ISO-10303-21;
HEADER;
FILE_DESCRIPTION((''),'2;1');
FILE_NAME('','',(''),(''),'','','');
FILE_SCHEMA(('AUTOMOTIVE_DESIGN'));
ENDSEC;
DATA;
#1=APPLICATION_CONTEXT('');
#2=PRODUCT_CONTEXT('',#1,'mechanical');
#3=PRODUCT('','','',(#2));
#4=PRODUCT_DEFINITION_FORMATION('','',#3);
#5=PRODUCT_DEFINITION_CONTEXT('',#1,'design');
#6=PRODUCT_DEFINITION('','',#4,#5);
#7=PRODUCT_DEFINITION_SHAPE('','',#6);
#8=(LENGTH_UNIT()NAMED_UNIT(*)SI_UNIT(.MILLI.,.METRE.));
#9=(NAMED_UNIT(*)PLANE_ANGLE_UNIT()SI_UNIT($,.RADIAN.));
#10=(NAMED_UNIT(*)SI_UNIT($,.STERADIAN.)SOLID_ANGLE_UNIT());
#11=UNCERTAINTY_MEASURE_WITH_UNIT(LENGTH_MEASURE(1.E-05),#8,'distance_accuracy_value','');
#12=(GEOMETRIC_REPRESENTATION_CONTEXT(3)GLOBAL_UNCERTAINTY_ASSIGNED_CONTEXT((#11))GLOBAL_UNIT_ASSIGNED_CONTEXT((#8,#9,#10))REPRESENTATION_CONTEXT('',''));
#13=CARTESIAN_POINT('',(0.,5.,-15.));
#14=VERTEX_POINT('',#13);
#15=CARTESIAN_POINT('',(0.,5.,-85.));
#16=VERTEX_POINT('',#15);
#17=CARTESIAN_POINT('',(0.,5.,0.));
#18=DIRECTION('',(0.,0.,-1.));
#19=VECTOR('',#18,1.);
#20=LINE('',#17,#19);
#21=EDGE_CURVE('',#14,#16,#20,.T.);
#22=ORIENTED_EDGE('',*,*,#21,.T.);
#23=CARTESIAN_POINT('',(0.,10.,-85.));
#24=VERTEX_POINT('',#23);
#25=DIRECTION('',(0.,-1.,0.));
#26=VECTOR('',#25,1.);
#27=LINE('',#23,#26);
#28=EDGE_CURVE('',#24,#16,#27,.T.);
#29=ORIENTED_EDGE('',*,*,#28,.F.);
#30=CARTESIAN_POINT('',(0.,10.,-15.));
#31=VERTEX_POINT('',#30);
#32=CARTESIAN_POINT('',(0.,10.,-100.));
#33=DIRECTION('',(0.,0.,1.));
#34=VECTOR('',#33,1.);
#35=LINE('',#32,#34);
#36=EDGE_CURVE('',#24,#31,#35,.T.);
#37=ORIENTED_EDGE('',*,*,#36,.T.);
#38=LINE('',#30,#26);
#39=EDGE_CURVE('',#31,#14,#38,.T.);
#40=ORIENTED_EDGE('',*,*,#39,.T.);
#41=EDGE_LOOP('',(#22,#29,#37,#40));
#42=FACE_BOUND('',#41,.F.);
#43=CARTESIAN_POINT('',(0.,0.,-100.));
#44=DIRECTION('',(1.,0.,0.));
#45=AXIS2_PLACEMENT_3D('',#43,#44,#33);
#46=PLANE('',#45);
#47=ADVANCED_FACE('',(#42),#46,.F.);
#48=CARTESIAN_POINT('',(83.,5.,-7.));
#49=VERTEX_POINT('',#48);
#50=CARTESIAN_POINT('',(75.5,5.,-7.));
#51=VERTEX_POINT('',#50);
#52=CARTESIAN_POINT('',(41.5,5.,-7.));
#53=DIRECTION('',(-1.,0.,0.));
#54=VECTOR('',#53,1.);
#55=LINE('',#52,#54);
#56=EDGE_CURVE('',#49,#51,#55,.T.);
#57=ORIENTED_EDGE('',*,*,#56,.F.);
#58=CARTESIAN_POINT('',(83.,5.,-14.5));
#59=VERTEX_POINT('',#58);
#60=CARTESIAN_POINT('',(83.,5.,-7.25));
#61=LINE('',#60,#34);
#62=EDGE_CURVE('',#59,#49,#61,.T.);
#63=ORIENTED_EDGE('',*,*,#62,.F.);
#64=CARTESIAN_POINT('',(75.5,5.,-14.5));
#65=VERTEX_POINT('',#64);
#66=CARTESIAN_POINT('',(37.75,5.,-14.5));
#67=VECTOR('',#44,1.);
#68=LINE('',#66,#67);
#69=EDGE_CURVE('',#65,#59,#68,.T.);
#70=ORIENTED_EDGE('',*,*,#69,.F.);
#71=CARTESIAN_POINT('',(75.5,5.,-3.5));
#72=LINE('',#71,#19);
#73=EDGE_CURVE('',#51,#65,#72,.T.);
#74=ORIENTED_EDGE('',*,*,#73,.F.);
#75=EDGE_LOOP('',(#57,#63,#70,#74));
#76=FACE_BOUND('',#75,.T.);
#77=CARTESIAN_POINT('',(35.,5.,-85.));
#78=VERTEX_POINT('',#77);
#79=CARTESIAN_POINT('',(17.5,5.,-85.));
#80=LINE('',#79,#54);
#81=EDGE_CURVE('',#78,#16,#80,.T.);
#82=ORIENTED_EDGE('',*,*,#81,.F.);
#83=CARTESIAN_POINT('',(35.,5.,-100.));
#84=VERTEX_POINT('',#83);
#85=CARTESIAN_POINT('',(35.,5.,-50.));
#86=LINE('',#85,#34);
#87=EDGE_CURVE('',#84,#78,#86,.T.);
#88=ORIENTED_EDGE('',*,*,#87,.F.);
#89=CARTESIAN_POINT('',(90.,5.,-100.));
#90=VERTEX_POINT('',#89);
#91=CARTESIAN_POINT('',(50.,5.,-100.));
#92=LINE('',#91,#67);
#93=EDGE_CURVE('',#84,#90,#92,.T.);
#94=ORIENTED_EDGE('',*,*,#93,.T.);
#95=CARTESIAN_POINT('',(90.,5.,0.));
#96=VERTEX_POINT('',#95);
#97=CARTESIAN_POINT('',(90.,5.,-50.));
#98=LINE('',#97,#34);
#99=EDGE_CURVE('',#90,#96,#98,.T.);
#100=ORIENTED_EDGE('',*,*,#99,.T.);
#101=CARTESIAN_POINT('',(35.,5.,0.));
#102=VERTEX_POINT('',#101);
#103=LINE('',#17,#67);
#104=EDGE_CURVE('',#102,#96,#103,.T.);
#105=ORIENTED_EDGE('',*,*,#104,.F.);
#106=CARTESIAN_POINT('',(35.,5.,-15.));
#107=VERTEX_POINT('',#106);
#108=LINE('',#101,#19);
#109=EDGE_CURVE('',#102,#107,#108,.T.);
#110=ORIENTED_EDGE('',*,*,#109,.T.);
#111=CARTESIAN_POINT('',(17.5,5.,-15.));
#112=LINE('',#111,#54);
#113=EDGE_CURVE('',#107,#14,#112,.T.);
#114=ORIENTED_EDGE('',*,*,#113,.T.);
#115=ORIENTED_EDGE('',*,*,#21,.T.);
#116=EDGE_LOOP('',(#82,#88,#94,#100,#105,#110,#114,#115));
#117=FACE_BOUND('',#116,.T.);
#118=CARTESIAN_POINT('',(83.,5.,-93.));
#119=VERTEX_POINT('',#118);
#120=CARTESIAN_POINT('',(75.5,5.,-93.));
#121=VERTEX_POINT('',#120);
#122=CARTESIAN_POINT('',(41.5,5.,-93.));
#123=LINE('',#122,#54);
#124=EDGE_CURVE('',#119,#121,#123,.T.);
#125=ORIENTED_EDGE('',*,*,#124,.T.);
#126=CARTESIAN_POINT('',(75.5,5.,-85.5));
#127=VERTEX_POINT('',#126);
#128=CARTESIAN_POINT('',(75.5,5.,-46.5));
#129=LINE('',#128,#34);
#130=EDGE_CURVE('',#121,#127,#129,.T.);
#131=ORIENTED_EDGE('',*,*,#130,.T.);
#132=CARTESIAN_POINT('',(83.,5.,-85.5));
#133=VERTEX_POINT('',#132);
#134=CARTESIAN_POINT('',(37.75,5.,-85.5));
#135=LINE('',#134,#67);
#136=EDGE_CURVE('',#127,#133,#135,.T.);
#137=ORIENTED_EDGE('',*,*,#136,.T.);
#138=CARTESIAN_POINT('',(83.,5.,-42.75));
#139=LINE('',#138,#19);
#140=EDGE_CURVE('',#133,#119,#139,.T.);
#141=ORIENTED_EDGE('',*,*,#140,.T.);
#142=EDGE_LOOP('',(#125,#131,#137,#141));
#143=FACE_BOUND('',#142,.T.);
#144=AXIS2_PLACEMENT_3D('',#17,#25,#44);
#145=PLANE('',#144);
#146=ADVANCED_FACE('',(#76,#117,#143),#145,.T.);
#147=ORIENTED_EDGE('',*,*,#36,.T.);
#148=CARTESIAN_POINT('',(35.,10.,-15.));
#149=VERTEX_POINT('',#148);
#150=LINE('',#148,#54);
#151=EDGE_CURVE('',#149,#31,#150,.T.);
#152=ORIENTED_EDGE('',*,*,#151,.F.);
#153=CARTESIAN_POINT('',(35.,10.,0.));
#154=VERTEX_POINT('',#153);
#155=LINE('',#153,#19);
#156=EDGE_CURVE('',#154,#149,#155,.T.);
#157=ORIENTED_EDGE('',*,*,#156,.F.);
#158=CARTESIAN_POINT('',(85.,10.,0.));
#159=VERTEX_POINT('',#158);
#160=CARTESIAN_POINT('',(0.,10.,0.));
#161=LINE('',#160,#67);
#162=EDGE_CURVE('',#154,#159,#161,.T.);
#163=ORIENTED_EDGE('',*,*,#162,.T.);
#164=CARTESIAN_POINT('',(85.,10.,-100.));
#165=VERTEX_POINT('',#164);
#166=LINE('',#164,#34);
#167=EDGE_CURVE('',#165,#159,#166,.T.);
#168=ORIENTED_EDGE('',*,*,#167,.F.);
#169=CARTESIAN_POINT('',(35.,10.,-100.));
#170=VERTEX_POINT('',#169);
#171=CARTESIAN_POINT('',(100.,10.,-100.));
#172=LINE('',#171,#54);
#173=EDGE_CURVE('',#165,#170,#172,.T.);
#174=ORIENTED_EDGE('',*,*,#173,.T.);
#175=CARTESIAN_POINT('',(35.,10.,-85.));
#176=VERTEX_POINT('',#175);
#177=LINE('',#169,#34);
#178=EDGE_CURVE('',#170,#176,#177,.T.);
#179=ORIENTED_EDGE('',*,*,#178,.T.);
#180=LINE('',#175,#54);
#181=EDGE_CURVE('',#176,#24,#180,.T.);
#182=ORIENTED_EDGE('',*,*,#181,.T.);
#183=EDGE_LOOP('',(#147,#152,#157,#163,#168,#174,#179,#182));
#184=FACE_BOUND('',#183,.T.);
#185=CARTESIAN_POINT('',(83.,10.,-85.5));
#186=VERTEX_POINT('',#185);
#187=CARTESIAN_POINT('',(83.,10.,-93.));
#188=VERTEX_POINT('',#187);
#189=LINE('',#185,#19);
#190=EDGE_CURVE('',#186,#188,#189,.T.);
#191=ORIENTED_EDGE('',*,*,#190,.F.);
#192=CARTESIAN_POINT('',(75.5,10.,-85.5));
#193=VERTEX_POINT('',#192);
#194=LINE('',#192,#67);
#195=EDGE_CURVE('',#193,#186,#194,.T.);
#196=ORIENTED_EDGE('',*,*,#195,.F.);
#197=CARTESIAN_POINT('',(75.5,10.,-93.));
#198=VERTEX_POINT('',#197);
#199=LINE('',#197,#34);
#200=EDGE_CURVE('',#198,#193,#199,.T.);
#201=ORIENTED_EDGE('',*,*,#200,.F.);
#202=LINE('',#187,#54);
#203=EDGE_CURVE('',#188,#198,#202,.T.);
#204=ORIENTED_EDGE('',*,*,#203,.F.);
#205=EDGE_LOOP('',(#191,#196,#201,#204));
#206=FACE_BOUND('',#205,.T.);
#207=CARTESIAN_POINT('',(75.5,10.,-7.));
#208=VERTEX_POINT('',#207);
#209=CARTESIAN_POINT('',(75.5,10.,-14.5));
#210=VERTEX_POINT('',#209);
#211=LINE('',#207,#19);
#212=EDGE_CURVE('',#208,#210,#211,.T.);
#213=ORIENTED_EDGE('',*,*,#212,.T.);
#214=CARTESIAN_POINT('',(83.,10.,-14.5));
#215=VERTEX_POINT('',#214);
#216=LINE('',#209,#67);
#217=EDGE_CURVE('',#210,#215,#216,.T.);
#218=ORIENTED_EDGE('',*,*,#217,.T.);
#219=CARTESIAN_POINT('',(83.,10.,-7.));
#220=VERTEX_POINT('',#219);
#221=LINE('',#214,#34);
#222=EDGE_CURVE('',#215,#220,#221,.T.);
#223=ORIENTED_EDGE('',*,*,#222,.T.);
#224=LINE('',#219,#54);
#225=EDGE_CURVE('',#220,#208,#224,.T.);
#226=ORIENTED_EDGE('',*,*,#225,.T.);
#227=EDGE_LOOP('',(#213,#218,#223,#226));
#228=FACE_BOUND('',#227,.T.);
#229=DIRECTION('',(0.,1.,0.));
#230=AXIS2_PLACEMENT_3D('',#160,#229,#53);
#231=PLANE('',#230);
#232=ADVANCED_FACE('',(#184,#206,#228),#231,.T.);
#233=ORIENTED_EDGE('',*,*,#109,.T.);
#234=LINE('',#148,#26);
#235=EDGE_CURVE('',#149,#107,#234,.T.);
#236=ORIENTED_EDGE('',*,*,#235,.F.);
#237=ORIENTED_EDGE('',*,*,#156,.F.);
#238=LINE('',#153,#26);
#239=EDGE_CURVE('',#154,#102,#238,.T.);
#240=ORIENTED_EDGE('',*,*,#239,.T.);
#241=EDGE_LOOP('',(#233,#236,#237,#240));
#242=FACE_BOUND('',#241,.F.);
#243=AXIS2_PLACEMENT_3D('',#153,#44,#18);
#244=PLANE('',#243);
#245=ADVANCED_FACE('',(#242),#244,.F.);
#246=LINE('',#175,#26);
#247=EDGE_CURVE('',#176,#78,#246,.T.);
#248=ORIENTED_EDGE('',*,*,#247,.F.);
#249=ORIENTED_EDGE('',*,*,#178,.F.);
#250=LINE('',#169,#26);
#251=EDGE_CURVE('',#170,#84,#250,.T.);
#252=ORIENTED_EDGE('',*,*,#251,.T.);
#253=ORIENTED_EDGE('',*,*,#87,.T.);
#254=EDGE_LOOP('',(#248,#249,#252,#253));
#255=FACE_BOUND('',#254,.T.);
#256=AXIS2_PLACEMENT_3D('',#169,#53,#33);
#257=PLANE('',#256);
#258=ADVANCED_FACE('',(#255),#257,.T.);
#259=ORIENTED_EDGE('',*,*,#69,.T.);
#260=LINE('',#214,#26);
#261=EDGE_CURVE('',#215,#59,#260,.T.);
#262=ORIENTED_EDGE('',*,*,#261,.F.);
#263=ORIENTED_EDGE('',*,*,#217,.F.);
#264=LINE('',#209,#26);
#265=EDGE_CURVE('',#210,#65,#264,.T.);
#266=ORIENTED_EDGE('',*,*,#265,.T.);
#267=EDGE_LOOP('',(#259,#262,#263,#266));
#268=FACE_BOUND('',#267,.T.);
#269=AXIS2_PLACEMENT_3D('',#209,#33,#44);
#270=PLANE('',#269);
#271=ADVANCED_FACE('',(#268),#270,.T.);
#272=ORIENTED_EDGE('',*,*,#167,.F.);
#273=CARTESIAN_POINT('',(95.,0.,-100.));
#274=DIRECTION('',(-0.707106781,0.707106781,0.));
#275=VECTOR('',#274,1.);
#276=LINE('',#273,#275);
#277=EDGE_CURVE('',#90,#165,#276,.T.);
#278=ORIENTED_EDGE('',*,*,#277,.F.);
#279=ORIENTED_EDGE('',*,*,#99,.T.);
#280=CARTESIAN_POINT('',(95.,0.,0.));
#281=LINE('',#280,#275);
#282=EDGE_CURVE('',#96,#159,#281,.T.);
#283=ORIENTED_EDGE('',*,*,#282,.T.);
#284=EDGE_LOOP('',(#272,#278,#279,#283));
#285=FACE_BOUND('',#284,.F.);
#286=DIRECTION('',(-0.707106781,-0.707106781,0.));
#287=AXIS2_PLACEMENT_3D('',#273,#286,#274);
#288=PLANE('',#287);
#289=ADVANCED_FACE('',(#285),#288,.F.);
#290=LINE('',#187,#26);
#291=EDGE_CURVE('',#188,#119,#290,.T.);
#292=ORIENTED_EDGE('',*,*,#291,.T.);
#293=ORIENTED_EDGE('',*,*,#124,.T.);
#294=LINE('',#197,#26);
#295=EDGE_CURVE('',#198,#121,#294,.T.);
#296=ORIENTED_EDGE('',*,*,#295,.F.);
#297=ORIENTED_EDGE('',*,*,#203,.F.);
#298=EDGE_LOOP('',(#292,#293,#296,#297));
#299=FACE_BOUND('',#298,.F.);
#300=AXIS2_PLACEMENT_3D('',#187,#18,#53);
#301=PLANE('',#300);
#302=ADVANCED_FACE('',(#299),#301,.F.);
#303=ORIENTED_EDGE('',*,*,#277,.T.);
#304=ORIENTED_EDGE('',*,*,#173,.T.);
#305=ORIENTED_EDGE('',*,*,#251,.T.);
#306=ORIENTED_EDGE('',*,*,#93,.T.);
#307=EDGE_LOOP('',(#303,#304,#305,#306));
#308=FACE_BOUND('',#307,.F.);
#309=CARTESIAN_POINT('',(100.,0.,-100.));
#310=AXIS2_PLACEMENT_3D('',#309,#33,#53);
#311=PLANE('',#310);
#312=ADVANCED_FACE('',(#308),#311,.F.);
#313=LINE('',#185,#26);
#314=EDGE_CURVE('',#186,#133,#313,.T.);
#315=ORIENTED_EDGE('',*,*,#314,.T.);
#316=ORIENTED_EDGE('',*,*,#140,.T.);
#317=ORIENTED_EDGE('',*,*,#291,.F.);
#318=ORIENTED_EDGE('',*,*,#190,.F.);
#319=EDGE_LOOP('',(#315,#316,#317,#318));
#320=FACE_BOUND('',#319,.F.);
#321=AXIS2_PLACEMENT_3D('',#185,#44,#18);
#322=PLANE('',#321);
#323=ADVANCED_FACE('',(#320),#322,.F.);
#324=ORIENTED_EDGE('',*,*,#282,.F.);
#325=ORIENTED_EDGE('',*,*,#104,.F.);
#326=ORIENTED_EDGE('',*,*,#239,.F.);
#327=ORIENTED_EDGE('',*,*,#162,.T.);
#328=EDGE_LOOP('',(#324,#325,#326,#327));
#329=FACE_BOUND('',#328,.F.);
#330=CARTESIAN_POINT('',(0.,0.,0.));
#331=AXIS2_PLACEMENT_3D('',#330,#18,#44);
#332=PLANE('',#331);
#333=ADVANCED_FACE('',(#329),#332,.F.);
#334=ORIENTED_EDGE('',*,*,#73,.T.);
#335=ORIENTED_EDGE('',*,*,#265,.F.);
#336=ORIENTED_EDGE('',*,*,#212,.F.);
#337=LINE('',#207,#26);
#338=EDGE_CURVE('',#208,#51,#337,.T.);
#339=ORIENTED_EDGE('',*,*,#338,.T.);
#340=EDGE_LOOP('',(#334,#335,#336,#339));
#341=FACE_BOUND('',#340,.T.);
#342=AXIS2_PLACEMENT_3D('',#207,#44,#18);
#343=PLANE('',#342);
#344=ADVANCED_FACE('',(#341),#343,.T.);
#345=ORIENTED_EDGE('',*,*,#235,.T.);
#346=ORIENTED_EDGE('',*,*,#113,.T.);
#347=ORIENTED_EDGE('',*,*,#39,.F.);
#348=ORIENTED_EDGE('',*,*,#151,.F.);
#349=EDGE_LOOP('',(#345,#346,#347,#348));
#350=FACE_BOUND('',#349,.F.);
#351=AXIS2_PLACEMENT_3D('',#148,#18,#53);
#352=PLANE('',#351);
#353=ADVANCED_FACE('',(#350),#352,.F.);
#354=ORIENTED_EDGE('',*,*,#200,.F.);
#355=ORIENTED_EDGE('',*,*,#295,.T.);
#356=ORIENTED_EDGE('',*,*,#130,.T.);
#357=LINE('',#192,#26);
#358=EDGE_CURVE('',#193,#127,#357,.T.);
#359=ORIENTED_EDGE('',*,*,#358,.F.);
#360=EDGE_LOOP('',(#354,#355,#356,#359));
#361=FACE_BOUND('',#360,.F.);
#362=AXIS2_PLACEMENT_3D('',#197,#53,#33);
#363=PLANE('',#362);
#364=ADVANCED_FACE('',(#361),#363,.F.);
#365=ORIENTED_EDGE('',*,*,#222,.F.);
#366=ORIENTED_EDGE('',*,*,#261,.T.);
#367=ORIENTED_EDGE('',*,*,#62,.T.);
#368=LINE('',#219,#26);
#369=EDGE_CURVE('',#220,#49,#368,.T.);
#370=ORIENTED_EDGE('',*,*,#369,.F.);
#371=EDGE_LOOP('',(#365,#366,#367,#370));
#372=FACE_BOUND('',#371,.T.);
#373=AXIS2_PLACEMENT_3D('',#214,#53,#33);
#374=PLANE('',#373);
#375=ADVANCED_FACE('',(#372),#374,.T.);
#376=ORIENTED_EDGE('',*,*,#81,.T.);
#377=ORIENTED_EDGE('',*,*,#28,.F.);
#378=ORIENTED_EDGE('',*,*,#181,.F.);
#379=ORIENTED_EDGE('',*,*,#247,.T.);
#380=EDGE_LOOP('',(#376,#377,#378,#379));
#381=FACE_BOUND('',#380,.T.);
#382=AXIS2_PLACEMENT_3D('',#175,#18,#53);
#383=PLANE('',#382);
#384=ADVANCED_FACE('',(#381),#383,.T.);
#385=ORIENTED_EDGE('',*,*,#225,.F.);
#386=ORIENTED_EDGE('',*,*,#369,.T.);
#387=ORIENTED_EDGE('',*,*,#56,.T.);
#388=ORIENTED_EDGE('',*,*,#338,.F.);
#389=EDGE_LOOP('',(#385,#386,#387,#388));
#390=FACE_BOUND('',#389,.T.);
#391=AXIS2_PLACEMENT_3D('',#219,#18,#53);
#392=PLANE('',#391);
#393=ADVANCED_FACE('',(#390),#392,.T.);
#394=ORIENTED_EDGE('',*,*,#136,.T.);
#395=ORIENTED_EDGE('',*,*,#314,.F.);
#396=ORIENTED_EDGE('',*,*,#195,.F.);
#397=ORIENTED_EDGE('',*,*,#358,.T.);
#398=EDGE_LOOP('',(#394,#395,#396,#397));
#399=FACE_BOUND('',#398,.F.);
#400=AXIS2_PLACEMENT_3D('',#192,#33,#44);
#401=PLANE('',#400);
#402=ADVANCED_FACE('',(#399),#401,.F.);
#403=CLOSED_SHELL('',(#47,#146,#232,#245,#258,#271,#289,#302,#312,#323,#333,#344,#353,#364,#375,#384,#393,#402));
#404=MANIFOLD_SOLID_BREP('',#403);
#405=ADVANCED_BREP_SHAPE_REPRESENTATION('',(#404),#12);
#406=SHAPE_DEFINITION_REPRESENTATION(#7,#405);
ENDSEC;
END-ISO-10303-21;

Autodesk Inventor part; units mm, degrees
ref_plane "YZ Plane" through (0, 0, 0) normal (1, 0, 0) x (0, 1, 0)
ref_plane "XZ Plane" through (0, 0, 0) normal (0, 1, 0) x (-1, 0, 0)
ref_plane "XY Plane" through (0, 0, 0) normal (0, 0, 1) x (1, 0, 0)
sketch "Szkic1" plane through (0, 0, 0) normal (0, 1, 0) x (-1, 0, 0)
  line L0 (0, 0) -> (-100, 0)
  line L1 (-100, 0) -> (-100, -100)
  line L2 (-100, -100) -> (0, -100)
  line L3 (0, -100) -> (0, 0)
  dimension "d0" = 100
  dimension "d1" = 100
extrude "Wyciągnięcie proste1" add sketch "Szkic1" along normal blind 10
sketch "Szkic2" plane through (100, 0, -100) normal (0, 0, -1) x (-1, 0, 0)
  line L0 (0, 0) -> (5, 0)
  line L1 (5, 0) -> (15, 10)
  line L2 (0, 10) -> (100, 10) projected
  line L3 (5, 0) -> (19.1421, 0) construction
  line L4 (15, 10) -> (0, 10)
  line L5 (0, 10) -> (0, 0.5914)
  line L6 (0, 0) -> (100, 0) projected
  line L7 (0, 0.5914) -> (0, 0)
  line L8 (0, 0) -> (5, 0)
  dimension "d4" = 5
  dimension "d5" = 45
extrude "Wyciągnięcie proste2" cut sketch "Szkic2" against normal blind 100
sketch "Szkic4" plane through (0, 0, 0) normal (0, 0, 1) x (1, 0, 0)
  line L0 (0, 0) -> (100, 0)
  line L1 (100, 0) -> (100, 2)
  line L2 (100, 2) -> (0, 2)
  line L3 (0, 2) -> (0, 0)
  dimension "d8" = 100
  dimension "d9" = 2
extrude "Wyciągnięcie proste3" cut sketch "Szkic4" against normal blind 100
sketch "Szkic5" plane through (0, 10, 0) normal (0, 1, 0) x (1, 0, 0)
  line L0 (0, 0) -> (85, 0) projected
  line L1 (0, 0) -> (35, 0)
  line L2 (35, 0) -> (35, 15)
  line L3 (35, 15) -> (0, 15)
  line L4 (0, 15) -> (0, 0)
  line L5 (0, 100) -> (0, 0) projected
  line L6 (0, 100) -> (35, 100)
  line L7 (35, 100) -> (35, 85)
  line L8 (35, 85) -> (0, 85)
  line L9 (0, 85) -> (0, 100)
  dimension "d12" = 35
  dimension "d13" = 15
  dimension "d14" = 35
  dimension "d15" = 15
extrude "Wyciągnięcie proste4" cut sketch "Szkic5" against normal blind 100 contours L5 L6 L7 L8
sketch "Szkic6" plane through (0, 10, 0) normal (0, 1, 0) x (1, 0, 0)
  line L0 (0, 0) -> (93, 0) projected
  line L1 (0, 0) -> (35, 0)
  line L2 (35, 0) -> (35, 15)
  line L3 (35, 15) -> (0, 15)
  line L4 (0, 15) -> (0, 0)
  dimension "d18" = 35
  dimension "d19" = 15
extrude "Wyciągnięcie proste5" cut sketch "Szkic6" against normal blind 100
sketch "Szkic7" plane through (35, 2, 0) normal (0, 0, 1) x (1, 0, 0)
  line L0 (58, 0) -> (50, 8) projected
  line L1 (58, 0) -> (-42, 0)
  line L2 (-42, 0) -> (-42, 2)
  line L3 (-42, 2) -> (58, 2)
  line L4 (58, 2) -> (58, 0)
  point P0 (-35, -2)
  point P1 (56, 2)
  dimension "d22" = 100
  dimension "d23" = 2
extrude "Wyciągnięcie proste6" cut sketch "Szkic7" against normal blind 101.5 contours L1 L2 L3 L0
sketch "Szkic8" plane through (0, 10, 0) normal (0, 1, 0) x (1, 0, 0)
  line L0 (83, 93) -> (75.5, 93)
  line L1 (75.5, 93) -> (75.5, 85.5)
  line L2 (75.5, 85.5) -> (83, 85.5)
  line L3 (83, 85.5) -> (83, 93)
  point P0 (0, 0)
  dimension "d26" = 7.5
  dimension "d27" = 7.5
extrude "Wyciągnięcie proste7" cut sketch "Szkic8" against normal blind 10
sketch "Szkic9" plane through (0, 10, 0) normal (0, 1, 0) x (1, 0, 0)
  line L0 (83, 7) -> (75.5, 7)
  line L1 (75.5, 7) -> (75.5, 14.5)
  line L2 (75.5, 14.5) -> (83, 14.5)
  line L3 (83, 14.5) -> (83, 7)
  point P0 (0, 0)
  dimension "d30" = 7.5
  dimension "d31" = 7.5
extrude "Wyciągnięcie proste8" cut sketch "Szkic9" against normal blind 10
sketch "Szkic11" plane through (35, 10, 0) normal (0, 0, 1) x (1, 0, 0)
  line L0 (0, -6) -> (56, -6) projected
  line L1 (-35, 0) -> (-35, -6) projected
  line L2 (56, -6) -> (-35, -6)
  line L3 (-35, -6) -> (-35, -5)
  line L4 (-35, -5) -> (56, -5)
  line L5 (56, -5) -> (56, -6)
  point P0 (-35, -10)
  dimension "d34" = 1
extrude "Wyciągnięcie proste9" cut sketch "Szkic11" against normal blind 100.75
properties part number "Helenowiak_podstawa"
